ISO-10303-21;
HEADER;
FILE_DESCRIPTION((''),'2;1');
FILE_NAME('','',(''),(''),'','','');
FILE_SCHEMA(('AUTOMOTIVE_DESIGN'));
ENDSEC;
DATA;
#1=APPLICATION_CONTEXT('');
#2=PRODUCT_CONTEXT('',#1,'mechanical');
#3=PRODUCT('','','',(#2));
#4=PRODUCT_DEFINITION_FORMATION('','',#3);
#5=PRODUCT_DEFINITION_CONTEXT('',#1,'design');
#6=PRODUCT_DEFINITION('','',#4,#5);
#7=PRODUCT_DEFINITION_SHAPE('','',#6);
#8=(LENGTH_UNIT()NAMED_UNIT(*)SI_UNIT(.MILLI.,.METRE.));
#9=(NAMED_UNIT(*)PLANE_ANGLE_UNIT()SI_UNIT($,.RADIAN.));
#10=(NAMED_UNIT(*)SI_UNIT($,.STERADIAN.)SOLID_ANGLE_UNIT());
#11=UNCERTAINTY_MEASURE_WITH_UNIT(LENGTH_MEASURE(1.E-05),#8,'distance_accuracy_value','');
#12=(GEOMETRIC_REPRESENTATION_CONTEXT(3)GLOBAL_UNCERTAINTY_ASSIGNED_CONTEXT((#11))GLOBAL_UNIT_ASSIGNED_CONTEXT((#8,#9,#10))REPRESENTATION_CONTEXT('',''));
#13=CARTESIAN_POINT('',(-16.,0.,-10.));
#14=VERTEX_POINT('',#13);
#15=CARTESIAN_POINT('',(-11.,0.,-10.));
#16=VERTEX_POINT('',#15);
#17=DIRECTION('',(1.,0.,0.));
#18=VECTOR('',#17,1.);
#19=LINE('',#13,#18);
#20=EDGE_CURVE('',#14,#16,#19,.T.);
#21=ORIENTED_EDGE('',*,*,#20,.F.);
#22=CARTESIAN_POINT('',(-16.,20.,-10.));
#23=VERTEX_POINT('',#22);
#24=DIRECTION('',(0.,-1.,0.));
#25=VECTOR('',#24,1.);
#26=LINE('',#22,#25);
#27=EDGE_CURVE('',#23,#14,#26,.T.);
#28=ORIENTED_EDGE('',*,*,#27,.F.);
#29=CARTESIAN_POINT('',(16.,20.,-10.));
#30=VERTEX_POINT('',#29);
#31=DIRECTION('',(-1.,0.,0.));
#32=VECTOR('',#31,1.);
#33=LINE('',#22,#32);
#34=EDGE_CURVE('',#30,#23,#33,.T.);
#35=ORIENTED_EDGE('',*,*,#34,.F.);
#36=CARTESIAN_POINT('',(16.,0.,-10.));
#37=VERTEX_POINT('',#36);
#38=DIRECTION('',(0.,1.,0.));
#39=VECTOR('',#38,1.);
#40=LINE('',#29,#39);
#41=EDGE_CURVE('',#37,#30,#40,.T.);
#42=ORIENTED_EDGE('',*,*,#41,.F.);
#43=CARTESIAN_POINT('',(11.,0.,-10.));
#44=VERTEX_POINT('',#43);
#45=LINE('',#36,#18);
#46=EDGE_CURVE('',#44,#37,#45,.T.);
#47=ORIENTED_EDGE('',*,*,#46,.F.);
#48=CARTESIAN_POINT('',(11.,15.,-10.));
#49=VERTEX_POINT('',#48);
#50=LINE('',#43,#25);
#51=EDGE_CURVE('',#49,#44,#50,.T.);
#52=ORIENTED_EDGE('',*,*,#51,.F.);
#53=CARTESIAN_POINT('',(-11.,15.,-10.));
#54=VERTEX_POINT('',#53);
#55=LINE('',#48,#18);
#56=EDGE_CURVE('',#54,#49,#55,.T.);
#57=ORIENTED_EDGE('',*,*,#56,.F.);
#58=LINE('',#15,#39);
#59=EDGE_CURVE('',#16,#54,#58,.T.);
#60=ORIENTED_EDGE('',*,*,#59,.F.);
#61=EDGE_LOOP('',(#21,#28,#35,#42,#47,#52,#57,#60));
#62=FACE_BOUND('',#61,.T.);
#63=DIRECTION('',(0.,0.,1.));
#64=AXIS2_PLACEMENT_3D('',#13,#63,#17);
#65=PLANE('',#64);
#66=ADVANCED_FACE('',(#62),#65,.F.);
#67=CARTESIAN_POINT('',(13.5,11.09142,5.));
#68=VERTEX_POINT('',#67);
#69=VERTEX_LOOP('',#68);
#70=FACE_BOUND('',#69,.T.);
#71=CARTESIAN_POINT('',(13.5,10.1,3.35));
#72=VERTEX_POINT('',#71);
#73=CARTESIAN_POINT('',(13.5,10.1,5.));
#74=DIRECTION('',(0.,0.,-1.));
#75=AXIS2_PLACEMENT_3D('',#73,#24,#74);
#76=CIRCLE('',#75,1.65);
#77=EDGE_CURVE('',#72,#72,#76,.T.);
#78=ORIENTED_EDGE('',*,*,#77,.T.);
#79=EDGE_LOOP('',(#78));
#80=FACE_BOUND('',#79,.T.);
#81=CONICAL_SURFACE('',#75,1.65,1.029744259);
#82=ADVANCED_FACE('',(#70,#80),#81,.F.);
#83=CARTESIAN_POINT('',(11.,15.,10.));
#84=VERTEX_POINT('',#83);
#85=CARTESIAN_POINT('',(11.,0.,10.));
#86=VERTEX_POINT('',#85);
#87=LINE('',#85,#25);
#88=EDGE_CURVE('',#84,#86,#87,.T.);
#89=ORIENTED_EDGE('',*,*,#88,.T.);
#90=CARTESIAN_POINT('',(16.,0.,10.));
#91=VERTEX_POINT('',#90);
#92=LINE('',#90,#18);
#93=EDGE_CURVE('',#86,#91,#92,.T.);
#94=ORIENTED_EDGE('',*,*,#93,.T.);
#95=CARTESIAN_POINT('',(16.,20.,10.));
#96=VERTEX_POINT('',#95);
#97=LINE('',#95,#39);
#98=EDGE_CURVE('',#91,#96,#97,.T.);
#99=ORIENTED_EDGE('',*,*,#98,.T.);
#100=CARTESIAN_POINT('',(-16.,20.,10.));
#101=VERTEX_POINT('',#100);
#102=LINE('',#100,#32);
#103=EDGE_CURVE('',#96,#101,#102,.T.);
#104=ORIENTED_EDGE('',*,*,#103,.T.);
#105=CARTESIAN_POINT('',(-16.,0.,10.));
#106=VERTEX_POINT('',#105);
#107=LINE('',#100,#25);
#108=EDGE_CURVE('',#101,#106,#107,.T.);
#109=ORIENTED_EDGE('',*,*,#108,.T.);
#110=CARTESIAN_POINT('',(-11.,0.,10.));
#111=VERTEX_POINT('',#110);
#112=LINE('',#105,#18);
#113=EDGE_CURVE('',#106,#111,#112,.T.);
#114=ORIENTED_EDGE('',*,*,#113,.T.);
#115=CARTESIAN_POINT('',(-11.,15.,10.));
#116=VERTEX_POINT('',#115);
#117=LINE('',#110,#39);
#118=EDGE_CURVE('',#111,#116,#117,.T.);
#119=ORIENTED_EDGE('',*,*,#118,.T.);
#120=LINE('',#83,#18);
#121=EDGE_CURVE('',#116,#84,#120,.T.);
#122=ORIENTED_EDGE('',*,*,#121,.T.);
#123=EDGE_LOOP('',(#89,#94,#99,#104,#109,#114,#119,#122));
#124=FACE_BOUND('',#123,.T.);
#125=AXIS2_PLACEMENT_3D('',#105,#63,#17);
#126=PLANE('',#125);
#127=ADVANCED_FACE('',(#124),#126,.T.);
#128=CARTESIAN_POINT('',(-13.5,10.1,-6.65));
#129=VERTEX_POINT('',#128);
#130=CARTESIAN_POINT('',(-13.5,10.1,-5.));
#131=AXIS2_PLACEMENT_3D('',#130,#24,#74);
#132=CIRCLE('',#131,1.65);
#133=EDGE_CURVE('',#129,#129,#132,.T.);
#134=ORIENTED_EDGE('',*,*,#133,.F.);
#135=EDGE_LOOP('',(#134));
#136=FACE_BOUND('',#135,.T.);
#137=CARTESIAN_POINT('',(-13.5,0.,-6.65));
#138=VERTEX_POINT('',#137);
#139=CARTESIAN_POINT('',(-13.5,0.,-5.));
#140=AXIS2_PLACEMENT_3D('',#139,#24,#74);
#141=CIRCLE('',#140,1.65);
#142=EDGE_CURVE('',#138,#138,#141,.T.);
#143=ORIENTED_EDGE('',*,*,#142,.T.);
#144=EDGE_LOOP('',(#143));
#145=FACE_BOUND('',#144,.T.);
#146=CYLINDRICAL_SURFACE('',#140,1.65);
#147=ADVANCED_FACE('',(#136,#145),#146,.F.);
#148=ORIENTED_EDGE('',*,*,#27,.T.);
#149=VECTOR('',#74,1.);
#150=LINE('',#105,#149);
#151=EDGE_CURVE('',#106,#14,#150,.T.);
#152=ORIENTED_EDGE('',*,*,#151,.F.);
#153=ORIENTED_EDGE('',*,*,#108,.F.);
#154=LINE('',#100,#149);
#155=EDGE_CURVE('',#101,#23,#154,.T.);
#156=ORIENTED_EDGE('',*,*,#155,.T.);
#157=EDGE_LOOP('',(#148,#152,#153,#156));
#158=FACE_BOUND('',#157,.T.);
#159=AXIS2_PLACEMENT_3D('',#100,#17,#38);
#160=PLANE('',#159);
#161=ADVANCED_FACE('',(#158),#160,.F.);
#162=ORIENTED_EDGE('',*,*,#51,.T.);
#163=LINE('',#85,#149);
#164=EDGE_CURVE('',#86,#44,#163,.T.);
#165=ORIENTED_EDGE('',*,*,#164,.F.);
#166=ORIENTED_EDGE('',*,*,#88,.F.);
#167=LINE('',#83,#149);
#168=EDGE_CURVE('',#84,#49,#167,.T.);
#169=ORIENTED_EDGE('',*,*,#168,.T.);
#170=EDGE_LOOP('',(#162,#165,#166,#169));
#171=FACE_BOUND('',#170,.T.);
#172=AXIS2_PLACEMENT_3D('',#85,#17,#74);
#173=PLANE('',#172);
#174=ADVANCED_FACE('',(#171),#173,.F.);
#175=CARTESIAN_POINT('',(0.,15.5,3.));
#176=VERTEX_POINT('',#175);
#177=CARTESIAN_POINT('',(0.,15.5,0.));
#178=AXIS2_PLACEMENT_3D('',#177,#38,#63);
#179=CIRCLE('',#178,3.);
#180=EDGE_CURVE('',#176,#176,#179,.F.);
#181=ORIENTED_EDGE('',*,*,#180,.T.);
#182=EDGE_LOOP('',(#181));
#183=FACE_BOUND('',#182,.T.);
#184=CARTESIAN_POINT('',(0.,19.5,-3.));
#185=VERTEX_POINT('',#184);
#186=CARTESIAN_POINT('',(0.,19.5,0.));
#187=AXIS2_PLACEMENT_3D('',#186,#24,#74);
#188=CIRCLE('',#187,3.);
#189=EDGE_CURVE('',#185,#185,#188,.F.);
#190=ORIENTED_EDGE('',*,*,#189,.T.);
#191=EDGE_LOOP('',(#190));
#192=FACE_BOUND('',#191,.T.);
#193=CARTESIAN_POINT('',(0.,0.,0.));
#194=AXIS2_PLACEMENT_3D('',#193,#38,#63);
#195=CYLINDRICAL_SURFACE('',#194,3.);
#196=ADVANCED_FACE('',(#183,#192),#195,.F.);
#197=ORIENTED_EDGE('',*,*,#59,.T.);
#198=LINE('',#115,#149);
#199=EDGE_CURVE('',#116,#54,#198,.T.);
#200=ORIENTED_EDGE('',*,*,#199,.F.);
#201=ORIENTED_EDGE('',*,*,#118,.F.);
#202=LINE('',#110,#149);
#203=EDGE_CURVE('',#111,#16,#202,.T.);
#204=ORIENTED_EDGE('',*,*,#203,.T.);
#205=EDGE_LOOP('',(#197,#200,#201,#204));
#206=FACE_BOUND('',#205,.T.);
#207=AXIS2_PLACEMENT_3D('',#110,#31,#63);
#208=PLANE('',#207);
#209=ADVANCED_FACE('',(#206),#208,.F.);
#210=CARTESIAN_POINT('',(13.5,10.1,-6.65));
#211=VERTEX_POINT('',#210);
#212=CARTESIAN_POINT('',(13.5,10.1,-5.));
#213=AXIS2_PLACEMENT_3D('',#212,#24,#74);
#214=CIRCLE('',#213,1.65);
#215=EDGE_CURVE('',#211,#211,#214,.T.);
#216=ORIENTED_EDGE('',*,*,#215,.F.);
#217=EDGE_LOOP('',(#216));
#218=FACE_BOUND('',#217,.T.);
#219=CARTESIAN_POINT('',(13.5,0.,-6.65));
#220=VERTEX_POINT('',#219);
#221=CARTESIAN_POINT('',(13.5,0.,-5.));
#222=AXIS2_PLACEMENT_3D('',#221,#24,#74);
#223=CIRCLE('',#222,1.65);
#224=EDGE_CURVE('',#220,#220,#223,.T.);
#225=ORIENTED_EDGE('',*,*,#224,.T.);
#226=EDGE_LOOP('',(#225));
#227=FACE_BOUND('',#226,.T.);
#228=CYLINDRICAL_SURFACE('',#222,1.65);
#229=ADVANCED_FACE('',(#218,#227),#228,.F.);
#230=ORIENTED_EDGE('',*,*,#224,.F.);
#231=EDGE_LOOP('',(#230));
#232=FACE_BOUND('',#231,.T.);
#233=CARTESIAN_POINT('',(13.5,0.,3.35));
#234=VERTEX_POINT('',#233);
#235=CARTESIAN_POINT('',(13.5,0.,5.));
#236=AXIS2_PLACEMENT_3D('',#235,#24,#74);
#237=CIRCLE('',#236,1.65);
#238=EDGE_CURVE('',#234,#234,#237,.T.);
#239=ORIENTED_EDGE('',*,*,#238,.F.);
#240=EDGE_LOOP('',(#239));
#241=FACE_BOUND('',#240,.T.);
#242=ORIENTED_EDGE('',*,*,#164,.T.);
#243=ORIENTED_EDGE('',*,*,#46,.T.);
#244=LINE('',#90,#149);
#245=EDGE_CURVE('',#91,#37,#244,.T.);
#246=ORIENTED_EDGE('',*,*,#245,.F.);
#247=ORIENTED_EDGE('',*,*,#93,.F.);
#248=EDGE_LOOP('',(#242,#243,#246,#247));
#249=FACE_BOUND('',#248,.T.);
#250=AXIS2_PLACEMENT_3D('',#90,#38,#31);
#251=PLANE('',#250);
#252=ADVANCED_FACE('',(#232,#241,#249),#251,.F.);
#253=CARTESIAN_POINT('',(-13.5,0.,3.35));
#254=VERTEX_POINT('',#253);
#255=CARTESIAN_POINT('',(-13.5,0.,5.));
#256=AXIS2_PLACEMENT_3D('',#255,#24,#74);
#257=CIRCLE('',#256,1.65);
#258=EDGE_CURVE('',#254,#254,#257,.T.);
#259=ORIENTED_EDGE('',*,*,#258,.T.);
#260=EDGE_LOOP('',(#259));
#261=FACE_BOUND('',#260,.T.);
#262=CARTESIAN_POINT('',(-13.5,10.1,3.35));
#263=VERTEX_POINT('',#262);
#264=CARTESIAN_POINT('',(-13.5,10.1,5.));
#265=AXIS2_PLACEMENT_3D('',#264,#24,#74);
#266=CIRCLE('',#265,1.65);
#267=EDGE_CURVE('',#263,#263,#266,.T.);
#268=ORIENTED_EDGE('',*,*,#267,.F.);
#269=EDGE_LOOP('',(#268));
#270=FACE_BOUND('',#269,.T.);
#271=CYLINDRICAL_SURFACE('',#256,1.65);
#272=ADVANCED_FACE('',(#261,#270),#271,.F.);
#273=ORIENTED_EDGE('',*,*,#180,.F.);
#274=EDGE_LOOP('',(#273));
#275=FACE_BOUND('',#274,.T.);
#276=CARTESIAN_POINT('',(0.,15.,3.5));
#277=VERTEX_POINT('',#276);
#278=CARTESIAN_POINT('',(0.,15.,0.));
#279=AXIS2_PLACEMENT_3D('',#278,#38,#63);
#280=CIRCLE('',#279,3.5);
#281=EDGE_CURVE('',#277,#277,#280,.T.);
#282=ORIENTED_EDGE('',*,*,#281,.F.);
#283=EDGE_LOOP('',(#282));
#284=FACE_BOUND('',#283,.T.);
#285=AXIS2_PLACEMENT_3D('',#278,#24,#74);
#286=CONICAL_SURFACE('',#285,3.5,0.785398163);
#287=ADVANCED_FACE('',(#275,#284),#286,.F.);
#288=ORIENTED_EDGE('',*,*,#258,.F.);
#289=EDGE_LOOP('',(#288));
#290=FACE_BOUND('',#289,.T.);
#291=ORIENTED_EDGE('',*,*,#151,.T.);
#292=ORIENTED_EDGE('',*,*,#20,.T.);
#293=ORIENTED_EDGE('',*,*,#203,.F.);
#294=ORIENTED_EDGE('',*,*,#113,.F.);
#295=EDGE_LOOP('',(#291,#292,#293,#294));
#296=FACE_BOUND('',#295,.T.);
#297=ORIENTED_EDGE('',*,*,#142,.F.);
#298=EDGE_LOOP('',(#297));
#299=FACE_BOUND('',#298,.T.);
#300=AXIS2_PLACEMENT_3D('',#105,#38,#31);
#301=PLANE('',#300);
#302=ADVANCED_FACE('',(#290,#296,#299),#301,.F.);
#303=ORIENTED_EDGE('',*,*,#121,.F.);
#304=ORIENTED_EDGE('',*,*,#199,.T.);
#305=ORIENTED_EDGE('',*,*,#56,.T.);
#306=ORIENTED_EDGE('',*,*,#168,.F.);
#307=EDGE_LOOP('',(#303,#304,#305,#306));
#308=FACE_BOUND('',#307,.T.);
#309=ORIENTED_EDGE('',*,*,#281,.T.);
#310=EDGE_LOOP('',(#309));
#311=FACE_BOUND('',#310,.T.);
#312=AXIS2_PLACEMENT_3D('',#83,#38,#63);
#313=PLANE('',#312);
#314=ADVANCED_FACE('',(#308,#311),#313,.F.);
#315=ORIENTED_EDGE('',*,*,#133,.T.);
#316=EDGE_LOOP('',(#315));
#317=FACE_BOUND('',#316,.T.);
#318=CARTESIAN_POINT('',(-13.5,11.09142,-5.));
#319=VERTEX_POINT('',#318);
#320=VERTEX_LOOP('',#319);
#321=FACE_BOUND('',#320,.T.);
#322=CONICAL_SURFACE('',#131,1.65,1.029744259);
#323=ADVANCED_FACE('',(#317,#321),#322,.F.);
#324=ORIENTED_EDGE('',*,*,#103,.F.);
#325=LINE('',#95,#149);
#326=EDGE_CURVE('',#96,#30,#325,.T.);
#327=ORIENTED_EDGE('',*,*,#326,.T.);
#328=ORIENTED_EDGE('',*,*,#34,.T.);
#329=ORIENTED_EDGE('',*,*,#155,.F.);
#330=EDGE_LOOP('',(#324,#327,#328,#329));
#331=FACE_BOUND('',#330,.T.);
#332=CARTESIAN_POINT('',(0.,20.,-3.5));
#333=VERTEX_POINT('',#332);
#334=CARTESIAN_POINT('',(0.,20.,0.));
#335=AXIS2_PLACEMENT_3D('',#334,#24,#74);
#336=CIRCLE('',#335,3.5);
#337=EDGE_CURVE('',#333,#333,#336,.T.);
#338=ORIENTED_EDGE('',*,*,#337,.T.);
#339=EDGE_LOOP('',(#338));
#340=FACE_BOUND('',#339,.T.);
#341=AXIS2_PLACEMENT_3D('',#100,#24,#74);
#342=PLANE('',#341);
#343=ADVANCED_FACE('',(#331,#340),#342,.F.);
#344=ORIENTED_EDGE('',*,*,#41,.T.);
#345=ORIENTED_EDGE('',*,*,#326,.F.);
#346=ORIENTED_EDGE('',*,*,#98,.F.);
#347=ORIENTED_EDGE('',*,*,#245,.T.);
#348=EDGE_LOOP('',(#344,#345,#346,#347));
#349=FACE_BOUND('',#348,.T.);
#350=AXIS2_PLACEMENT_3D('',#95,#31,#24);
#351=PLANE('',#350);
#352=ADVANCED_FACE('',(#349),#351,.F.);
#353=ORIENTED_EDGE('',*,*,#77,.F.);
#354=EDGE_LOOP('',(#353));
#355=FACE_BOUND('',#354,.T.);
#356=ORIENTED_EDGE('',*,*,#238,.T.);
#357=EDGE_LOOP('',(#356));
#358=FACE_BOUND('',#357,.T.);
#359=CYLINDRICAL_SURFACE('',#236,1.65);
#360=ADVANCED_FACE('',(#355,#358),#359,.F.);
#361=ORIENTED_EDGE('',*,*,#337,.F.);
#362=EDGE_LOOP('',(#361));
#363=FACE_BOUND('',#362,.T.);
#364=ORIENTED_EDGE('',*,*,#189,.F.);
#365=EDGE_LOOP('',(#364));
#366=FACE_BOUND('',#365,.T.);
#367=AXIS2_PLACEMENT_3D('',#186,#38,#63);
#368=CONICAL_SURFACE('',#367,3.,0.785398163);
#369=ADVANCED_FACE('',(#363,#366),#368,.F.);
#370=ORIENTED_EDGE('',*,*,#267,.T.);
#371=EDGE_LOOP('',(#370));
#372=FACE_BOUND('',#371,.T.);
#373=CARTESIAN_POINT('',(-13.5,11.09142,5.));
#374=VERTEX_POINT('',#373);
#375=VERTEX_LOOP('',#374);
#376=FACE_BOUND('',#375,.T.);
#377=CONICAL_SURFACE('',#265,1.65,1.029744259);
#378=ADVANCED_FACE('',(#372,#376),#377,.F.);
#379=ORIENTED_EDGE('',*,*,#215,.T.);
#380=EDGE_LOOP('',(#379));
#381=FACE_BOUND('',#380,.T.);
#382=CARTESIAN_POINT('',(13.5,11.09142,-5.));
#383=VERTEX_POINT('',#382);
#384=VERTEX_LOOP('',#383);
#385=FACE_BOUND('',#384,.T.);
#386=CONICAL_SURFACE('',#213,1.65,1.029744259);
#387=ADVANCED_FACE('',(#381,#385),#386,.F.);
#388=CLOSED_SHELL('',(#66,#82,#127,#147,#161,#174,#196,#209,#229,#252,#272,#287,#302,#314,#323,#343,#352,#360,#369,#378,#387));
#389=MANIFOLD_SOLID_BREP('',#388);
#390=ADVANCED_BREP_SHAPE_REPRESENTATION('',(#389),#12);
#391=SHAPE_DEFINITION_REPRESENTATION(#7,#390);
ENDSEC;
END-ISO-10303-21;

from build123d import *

# Parameters (mm, degrees)
BOSS_EXTRU_1_DEPTH      = 10
ESQUISSE2_R             = 3
ENL_V_MAT_EXTRU_1_DEPTH = 21
CHANFREIN1_SIZE         = 0.5
TROU_TARAUD_M41_D       = 3.3
TROU_TARAUD_M41_DEPTH   = 10.1
TROU_TARAUD_M41_TIP     = 0.991420021


with BuildPart() as part:
    # Esquisse1 → Boss.-Extru.1 (new body, symmetric)
    with BuildSketch(Plane.XY):
        Polygon((-16, 20), (16, 20), (16, 0), (11, 0), (11, 15), (-11, 15), (-11, 0), (-16, 0), align=None)
    extrude(amount=BOSS_EXTRU_1_DEPTH, both=True)

    # Esquisse2 → Enlèv. mat.-Extru.1 (cut, through all)
    with BuildSketch(Plane(origin=(0, 20, 0), x_dir=(1, 0, 0), z_dir=(0, 1, 0))):
        Circle(ESQUISSE2_R)
    extrude(amount=-ENL_V_MAT_EXTRU_1_DEPTH, mode=Mode.SUBTRACT)

    # Chanfrein1
    chanfrein1_edges = [part.edges().sort_by_distance(p)[0] for p in [
        (-3, 15, 0),
        (-3, 20, 0),
    ]]
    chamfer(chanfrein1_edges, length=CHANFREIN1_SIZE)

    # Trou taraudé M41
    with Locations(Plane.XZ):
        with Locations((13.5, 5), (-13.5, -5), (-13.5, 5), (13.5, -5)):
            Hole(TROU_TARAUD_M41_D / 2, depth=TROU_TARAUD_M41_DEPTH)
            with Locations((0, 0, -(TROU_TARAUD_M41_DEPTH + TROU_TARAUD_M41_TIP / 2))):  # 118° drill point
                Cone(0, TROU_TARAUD_M41_D / 2, TROU_TARAUD_M41_TIP, mode=Mode.SUBTRACT)


solid = part.part
